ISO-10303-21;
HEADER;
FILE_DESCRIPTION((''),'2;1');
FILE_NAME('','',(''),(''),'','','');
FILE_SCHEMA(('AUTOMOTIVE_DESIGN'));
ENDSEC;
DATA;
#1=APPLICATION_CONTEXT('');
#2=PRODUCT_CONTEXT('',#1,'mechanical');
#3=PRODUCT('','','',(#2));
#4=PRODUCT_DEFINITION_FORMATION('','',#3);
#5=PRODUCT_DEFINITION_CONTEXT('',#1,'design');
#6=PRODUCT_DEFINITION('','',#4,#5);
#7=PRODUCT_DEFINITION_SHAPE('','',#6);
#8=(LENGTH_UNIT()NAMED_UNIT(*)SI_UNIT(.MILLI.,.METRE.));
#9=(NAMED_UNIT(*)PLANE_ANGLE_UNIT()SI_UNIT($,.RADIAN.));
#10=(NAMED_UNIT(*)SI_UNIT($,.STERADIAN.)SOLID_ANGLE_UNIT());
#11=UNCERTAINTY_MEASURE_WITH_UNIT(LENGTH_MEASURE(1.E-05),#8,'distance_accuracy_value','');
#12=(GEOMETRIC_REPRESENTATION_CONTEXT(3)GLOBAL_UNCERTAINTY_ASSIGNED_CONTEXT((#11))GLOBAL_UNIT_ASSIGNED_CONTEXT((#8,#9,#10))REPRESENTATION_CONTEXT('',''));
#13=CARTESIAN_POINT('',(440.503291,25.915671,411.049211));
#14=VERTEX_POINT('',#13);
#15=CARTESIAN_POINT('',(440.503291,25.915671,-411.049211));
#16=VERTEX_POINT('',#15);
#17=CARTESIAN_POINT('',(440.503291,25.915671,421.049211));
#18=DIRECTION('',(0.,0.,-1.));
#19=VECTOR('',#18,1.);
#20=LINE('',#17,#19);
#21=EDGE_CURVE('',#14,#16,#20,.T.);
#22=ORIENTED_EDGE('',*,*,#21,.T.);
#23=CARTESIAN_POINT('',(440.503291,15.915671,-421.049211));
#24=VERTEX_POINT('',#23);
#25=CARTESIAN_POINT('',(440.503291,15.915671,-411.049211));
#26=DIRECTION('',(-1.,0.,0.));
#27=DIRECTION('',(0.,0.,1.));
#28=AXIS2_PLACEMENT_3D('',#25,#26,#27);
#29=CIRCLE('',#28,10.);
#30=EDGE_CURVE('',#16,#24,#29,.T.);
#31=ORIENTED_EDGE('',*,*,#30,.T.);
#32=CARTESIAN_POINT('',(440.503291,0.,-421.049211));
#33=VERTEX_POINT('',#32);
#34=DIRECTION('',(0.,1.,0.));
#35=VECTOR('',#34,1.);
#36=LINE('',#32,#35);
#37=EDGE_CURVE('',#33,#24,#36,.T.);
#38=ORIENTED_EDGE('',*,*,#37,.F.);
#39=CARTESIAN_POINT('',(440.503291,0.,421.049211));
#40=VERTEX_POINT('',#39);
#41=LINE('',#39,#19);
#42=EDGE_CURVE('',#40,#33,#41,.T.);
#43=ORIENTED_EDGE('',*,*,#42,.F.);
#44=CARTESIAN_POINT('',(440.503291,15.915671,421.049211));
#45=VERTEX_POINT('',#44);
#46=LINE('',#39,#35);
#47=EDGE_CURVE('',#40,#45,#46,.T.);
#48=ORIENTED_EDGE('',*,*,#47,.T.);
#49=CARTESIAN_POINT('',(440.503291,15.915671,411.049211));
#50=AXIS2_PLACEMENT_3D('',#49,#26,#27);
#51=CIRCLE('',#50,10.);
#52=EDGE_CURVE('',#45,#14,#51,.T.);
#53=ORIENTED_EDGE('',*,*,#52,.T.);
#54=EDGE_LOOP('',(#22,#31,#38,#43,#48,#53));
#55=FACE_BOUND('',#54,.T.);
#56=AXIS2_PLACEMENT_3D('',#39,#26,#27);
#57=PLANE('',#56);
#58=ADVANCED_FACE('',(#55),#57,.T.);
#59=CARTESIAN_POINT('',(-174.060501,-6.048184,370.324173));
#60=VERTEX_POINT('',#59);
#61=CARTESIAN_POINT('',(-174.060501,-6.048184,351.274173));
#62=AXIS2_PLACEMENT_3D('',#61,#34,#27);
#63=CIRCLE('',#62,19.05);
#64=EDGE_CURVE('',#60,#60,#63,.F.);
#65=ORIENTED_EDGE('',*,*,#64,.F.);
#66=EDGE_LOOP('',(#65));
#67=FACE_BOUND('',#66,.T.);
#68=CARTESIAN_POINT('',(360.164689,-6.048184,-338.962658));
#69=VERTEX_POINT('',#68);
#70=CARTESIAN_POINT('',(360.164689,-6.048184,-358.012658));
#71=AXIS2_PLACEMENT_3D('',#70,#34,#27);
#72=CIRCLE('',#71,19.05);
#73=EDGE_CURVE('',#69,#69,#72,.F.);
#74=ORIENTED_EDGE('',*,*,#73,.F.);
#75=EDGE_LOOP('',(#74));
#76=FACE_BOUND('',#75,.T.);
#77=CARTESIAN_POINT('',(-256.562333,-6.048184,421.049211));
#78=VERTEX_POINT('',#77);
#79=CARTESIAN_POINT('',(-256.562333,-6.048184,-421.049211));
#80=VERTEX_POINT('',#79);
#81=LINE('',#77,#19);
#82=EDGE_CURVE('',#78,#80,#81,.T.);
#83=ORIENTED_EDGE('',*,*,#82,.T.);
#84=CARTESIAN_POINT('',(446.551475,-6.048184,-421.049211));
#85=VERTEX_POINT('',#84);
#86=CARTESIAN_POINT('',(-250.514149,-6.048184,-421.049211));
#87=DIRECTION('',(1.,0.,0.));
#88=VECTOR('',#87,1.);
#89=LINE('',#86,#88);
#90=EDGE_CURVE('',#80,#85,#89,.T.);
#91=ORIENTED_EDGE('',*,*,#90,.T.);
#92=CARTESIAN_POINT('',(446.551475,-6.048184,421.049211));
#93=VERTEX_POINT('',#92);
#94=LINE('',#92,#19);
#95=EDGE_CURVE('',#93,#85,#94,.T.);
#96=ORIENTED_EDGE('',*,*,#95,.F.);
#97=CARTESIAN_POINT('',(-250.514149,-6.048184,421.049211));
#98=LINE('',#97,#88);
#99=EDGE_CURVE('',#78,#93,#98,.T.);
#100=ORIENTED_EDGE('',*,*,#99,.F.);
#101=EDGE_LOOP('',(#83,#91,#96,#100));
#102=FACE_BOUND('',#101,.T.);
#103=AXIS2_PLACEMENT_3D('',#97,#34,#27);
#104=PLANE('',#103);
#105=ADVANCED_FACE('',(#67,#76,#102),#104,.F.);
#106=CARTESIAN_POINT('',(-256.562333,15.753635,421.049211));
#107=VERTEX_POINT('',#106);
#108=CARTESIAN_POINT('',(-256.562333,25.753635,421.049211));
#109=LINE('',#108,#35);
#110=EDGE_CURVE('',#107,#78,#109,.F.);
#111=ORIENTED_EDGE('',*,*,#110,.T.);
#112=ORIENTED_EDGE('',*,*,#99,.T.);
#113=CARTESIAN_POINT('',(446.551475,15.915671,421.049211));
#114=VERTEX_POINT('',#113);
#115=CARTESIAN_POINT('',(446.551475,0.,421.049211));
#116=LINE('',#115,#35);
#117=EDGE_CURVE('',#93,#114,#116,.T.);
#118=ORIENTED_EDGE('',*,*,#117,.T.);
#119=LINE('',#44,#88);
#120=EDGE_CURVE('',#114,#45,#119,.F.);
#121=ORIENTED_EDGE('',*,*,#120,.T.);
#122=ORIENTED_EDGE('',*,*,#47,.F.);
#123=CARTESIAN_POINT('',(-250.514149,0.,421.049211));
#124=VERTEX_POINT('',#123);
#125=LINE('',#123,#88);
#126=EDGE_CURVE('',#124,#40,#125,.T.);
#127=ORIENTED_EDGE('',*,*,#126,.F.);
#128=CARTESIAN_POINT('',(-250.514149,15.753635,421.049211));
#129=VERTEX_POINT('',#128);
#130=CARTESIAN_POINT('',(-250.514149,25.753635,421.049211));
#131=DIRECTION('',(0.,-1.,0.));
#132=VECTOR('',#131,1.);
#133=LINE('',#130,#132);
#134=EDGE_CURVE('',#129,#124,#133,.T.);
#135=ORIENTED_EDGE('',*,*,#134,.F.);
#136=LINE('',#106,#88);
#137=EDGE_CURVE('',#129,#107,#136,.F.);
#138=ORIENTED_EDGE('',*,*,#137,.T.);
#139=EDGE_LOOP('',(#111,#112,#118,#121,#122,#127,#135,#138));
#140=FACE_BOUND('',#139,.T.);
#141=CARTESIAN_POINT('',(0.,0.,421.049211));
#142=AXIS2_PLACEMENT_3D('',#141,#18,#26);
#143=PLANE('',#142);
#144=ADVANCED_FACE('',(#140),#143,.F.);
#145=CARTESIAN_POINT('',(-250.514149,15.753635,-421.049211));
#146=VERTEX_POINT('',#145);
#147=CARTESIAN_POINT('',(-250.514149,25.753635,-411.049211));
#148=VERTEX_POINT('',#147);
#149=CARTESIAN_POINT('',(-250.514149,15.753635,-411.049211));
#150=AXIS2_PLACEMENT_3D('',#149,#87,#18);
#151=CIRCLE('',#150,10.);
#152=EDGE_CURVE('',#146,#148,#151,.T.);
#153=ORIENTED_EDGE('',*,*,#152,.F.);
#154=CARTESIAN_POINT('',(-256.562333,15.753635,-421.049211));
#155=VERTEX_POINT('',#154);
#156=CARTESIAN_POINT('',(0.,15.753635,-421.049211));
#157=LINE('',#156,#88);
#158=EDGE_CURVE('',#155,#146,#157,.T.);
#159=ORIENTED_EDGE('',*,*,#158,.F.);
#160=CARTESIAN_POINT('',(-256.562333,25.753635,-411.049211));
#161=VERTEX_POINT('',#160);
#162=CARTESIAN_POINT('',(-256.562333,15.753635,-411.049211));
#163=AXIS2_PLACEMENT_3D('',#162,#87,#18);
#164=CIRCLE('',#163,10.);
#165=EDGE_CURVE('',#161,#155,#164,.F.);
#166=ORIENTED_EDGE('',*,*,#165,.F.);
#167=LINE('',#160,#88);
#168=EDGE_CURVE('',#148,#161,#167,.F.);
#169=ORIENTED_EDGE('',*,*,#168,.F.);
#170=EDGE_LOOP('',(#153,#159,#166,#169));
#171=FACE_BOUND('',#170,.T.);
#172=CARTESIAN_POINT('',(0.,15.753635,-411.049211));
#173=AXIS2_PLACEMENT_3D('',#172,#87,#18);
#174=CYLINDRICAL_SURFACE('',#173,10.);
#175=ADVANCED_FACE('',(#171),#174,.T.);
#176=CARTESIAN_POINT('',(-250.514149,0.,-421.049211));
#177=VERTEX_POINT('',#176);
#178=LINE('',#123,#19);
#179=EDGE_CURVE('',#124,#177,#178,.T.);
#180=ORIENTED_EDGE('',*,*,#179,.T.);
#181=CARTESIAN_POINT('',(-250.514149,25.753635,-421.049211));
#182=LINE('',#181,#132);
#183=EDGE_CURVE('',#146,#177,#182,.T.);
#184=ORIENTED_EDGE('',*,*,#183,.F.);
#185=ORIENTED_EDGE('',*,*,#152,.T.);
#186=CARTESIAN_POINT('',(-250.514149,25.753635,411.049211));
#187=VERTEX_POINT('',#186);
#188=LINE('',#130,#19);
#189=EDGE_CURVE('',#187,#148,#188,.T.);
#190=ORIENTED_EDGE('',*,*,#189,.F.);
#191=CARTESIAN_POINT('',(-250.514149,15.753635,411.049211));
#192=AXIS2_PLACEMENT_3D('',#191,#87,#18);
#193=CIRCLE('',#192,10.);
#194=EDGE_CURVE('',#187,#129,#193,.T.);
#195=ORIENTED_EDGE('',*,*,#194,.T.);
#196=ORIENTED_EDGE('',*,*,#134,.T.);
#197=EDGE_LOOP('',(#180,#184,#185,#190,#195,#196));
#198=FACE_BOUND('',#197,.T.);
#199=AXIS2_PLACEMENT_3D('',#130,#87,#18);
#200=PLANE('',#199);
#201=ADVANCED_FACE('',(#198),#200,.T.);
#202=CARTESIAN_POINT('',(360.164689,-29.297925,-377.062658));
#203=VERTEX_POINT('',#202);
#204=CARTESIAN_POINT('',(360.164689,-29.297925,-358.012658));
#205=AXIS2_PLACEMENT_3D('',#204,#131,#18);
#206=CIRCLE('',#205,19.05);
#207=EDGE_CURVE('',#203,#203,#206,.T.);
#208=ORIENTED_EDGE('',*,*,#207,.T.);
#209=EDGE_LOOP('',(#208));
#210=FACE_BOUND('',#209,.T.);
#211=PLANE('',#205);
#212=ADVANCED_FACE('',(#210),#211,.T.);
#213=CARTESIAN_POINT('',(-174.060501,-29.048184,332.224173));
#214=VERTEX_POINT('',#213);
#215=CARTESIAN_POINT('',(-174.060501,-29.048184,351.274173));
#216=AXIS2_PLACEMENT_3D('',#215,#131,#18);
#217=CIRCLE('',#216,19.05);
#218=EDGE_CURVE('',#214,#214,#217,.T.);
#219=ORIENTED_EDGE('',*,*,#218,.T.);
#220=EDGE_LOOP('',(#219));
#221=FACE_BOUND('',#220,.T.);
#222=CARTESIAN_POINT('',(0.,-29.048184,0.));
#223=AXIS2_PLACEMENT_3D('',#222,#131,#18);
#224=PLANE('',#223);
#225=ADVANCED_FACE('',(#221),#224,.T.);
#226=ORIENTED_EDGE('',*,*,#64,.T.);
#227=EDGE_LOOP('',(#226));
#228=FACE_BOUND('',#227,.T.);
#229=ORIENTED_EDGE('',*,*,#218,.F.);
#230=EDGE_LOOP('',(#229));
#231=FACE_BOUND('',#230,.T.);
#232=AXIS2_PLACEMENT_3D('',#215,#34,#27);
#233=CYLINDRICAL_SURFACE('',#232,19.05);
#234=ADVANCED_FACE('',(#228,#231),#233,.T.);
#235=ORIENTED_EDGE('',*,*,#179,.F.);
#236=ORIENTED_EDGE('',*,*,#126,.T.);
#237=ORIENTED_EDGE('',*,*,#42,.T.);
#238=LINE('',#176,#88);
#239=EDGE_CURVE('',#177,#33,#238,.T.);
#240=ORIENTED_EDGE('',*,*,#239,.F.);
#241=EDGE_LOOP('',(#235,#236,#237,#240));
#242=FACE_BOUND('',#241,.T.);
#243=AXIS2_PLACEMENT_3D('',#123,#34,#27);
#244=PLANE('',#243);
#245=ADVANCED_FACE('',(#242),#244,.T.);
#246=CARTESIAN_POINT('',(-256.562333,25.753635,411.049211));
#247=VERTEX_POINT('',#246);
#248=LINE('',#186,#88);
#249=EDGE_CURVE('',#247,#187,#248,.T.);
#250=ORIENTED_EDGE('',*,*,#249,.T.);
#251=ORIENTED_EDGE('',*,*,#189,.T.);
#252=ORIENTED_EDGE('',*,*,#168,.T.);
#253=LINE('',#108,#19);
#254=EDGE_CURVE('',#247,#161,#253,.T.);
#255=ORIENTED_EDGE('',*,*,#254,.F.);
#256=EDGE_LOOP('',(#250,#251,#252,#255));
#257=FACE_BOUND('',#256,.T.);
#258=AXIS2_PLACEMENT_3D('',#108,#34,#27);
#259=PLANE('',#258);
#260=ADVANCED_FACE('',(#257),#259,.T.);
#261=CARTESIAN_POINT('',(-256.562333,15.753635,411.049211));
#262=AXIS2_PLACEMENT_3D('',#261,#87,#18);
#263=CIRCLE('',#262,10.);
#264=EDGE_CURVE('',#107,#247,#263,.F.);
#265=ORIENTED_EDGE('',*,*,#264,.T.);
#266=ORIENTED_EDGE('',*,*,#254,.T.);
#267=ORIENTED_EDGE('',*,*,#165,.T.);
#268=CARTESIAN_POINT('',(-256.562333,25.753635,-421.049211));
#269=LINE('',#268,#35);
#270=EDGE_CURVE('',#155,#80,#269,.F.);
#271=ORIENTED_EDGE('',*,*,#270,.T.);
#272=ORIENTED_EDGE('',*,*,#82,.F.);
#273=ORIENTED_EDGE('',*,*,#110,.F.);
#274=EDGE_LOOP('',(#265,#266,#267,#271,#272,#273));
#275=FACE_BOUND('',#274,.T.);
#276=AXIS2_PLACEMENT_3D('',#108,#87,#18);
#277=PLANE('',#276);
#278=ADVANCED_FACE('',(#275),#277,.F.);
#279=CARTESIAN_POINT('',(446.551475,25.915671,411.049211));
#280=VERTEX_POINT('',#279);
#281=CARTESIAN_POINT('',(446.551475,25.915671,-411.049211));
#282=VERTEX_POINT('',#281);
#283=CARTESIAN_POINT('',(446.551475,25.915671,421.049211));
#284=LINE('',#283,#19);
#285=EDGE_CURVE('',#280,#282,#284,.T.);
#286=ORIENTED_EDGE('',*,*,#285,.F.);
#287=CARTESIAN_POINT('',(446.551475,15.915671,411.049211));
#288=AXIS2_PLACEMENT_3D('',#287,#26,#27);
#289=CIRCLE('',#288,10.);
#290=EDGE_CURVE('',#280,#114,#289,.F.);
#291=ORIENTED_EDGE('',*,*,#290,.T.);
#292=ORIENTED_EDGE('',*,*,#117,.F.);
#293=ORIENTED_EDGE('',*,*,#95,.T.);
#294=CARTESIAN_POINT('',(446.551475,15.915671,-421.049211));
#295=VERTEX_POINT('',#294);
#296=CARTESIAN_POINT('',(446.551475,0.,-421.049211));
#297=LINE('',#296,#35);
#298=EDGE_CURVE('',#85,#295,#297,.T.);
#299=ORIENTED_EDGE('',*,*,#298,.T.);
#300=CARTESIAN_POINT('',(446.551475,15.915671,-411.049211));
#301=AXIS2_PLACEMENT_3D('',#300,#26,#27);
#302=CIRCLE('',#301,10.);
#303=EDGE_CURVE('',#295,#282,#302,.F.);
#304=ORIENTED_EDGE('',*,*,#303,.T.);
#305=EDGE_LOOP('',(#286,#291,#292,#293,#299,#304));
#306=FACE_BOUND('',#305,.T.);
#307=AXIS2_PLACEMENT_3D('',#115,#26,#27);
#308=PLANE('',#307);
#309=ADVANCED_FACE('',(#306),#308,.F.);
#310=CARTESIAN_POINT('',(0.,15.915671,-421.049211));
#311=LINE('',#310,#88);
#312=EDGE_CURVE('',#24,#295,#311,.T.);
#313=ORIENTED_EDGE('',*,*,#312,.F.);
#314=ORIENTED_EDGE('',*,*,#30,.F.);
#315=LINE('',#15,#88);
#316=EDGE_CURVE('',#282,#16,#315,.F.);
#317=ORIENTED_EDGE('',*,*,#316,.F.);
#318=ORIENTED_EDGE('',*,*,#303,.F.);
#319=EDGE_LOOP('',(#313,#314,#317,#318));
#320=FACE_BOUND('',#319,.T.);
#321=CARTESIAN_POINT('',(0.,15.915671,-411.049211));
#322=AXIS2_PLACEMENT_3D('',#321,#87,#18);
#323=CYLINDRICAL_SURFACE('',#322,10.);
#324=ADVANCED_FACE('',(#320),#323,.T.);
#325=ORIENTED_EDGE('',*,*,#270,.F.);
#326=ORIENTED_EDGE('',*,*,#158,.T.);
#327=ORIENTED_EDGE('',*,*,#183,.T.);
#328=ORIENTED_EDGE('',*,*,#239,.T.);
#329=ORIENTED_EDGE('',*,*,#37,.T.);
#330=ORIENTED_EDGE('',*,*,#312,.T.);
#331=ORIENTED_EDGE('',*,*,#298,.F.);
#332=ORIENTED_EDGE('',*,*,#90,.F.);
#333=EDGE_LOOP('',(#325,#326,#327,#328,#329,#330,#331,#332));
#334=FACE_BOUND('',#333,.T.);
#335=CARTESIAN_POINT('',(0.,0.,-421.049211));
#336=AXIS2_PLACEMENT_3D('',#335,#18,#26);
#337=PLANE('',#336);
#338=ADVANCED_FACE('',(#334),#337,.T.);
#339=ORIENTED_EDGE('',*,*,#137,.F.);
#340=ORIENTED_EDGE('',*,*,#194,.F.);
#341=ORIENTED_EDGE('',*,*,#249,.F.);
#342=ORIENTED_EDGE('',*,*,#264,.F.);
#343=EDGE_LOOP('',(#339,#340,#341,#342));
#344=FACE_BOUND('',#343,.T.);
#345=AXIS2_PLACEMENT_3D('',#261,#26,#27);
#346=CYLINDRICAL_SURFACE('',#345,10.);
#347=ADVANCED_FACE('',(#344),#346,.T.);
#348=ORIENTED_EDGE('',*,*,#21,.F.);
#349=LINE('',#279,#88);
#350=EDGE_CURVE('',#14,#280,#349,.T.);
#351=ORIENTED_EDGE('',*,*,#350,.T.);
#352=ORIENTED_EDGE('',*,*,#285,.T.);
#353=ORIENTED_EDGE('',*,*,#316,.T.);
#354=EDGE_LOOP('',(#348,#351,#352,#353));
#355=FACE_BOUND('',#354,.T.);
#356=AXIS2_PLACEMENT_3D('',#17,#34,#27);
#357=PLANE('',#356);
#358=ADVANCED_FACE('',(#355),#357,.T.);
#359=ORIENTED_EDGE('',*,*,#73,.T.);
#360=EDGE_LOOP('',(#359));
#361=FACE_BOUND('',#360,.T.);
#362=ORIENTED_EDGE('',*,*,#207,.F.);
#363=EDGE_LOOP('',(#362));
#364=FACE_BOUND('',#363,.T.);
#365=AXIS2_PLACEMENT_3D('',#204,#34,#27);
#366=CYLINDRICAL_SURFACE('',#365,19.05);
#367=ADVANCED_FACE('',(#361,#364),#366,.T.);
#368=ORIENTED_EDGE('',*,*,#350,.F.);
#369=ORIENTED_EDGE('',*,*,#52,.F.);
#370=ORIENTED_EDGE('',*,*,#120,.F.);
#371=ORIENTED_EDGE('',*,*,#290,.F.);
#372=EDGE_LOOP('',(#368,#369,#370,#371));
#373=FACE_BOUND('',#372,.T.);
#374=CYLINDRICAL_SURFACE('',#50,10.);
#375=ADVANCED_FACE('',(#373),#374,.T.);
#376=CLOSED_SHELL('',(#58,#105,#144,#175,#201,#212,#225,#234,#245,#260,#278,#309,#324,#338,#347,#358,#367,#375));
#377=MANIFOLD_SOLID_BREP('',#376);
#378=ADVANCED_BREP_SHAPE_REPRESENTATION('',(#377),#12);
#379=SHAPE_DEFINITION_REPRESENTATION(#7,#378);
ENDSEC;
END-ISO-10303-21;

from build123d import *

# Parameters (mm, degrees)
EXTRUDE_THIN1_DEPTH = 421.049210887
FILLET1_R           = 10
SKETCH_2_R          = 19.05
EXTRUDE_1_DEPTH     = 23.24974156
SKETCH_3_R          = 19.05
EXTRUDE_2_DEPTH     = 23


with BuildPart() as part:
    # Sketch1 → Extrude-Thin1 (new body, symmetric)
    with BuildSketch(Plane.XY):
        Polygon((-250.514148937, 25.753634758), (-250.514148937, 0), (440.503291061, 0), (440.503291061, 25.915671281), (446.551474959, 25.915671281), (446.551474959, -6.048183898), (-256.562332835, -6.048183898), (-256.562332835, 25.753634758), align=None)
    extrude(amount=EXTRUDE_THIN1_DEPTH, both=True)

    # Fillet1
    fillet1_edges = [part.edges().sort_by_distance(p)[0] for p in [
        (-253.538240886, 25.753634758, 421.049210887),
        (443.52738301, 25.915671281, 421.049210887),
        (-253.538240886, 25.753634758, -421.049210887),
        (443.52738301, 25.915671281, -421.049210887),
    ]]
    fillet(fillet1_edges, radius=FILLET1_R)

    # 草图2 → 凸台-拉伸1 (add)
    with BuildSketch(Plane(origin=(0, -6.048183898, 0), x_dir=(-1, 0, 0), z_dir=(0, -1, 0))):
        with Locations((-360.164689426, 358.012657815)):
            Circle(SKETCH_2_R)
    extrude(amount=EXTRUDE_1_DEPTH)

    # 草图3 → 凸台-拉伸2 (add)
    with BuildSketch(Plane(origin=(0, -6.048183898, 0), x_dir=(-1, 0, 0), z_dir=(0, -1, 0))):
        with Locations((174.06050089, -351.274172881)):
            Circle(SKETCH_3_R)
    extrude(amount=EXTRUDE_2_DEPTH)


solid = part.part
